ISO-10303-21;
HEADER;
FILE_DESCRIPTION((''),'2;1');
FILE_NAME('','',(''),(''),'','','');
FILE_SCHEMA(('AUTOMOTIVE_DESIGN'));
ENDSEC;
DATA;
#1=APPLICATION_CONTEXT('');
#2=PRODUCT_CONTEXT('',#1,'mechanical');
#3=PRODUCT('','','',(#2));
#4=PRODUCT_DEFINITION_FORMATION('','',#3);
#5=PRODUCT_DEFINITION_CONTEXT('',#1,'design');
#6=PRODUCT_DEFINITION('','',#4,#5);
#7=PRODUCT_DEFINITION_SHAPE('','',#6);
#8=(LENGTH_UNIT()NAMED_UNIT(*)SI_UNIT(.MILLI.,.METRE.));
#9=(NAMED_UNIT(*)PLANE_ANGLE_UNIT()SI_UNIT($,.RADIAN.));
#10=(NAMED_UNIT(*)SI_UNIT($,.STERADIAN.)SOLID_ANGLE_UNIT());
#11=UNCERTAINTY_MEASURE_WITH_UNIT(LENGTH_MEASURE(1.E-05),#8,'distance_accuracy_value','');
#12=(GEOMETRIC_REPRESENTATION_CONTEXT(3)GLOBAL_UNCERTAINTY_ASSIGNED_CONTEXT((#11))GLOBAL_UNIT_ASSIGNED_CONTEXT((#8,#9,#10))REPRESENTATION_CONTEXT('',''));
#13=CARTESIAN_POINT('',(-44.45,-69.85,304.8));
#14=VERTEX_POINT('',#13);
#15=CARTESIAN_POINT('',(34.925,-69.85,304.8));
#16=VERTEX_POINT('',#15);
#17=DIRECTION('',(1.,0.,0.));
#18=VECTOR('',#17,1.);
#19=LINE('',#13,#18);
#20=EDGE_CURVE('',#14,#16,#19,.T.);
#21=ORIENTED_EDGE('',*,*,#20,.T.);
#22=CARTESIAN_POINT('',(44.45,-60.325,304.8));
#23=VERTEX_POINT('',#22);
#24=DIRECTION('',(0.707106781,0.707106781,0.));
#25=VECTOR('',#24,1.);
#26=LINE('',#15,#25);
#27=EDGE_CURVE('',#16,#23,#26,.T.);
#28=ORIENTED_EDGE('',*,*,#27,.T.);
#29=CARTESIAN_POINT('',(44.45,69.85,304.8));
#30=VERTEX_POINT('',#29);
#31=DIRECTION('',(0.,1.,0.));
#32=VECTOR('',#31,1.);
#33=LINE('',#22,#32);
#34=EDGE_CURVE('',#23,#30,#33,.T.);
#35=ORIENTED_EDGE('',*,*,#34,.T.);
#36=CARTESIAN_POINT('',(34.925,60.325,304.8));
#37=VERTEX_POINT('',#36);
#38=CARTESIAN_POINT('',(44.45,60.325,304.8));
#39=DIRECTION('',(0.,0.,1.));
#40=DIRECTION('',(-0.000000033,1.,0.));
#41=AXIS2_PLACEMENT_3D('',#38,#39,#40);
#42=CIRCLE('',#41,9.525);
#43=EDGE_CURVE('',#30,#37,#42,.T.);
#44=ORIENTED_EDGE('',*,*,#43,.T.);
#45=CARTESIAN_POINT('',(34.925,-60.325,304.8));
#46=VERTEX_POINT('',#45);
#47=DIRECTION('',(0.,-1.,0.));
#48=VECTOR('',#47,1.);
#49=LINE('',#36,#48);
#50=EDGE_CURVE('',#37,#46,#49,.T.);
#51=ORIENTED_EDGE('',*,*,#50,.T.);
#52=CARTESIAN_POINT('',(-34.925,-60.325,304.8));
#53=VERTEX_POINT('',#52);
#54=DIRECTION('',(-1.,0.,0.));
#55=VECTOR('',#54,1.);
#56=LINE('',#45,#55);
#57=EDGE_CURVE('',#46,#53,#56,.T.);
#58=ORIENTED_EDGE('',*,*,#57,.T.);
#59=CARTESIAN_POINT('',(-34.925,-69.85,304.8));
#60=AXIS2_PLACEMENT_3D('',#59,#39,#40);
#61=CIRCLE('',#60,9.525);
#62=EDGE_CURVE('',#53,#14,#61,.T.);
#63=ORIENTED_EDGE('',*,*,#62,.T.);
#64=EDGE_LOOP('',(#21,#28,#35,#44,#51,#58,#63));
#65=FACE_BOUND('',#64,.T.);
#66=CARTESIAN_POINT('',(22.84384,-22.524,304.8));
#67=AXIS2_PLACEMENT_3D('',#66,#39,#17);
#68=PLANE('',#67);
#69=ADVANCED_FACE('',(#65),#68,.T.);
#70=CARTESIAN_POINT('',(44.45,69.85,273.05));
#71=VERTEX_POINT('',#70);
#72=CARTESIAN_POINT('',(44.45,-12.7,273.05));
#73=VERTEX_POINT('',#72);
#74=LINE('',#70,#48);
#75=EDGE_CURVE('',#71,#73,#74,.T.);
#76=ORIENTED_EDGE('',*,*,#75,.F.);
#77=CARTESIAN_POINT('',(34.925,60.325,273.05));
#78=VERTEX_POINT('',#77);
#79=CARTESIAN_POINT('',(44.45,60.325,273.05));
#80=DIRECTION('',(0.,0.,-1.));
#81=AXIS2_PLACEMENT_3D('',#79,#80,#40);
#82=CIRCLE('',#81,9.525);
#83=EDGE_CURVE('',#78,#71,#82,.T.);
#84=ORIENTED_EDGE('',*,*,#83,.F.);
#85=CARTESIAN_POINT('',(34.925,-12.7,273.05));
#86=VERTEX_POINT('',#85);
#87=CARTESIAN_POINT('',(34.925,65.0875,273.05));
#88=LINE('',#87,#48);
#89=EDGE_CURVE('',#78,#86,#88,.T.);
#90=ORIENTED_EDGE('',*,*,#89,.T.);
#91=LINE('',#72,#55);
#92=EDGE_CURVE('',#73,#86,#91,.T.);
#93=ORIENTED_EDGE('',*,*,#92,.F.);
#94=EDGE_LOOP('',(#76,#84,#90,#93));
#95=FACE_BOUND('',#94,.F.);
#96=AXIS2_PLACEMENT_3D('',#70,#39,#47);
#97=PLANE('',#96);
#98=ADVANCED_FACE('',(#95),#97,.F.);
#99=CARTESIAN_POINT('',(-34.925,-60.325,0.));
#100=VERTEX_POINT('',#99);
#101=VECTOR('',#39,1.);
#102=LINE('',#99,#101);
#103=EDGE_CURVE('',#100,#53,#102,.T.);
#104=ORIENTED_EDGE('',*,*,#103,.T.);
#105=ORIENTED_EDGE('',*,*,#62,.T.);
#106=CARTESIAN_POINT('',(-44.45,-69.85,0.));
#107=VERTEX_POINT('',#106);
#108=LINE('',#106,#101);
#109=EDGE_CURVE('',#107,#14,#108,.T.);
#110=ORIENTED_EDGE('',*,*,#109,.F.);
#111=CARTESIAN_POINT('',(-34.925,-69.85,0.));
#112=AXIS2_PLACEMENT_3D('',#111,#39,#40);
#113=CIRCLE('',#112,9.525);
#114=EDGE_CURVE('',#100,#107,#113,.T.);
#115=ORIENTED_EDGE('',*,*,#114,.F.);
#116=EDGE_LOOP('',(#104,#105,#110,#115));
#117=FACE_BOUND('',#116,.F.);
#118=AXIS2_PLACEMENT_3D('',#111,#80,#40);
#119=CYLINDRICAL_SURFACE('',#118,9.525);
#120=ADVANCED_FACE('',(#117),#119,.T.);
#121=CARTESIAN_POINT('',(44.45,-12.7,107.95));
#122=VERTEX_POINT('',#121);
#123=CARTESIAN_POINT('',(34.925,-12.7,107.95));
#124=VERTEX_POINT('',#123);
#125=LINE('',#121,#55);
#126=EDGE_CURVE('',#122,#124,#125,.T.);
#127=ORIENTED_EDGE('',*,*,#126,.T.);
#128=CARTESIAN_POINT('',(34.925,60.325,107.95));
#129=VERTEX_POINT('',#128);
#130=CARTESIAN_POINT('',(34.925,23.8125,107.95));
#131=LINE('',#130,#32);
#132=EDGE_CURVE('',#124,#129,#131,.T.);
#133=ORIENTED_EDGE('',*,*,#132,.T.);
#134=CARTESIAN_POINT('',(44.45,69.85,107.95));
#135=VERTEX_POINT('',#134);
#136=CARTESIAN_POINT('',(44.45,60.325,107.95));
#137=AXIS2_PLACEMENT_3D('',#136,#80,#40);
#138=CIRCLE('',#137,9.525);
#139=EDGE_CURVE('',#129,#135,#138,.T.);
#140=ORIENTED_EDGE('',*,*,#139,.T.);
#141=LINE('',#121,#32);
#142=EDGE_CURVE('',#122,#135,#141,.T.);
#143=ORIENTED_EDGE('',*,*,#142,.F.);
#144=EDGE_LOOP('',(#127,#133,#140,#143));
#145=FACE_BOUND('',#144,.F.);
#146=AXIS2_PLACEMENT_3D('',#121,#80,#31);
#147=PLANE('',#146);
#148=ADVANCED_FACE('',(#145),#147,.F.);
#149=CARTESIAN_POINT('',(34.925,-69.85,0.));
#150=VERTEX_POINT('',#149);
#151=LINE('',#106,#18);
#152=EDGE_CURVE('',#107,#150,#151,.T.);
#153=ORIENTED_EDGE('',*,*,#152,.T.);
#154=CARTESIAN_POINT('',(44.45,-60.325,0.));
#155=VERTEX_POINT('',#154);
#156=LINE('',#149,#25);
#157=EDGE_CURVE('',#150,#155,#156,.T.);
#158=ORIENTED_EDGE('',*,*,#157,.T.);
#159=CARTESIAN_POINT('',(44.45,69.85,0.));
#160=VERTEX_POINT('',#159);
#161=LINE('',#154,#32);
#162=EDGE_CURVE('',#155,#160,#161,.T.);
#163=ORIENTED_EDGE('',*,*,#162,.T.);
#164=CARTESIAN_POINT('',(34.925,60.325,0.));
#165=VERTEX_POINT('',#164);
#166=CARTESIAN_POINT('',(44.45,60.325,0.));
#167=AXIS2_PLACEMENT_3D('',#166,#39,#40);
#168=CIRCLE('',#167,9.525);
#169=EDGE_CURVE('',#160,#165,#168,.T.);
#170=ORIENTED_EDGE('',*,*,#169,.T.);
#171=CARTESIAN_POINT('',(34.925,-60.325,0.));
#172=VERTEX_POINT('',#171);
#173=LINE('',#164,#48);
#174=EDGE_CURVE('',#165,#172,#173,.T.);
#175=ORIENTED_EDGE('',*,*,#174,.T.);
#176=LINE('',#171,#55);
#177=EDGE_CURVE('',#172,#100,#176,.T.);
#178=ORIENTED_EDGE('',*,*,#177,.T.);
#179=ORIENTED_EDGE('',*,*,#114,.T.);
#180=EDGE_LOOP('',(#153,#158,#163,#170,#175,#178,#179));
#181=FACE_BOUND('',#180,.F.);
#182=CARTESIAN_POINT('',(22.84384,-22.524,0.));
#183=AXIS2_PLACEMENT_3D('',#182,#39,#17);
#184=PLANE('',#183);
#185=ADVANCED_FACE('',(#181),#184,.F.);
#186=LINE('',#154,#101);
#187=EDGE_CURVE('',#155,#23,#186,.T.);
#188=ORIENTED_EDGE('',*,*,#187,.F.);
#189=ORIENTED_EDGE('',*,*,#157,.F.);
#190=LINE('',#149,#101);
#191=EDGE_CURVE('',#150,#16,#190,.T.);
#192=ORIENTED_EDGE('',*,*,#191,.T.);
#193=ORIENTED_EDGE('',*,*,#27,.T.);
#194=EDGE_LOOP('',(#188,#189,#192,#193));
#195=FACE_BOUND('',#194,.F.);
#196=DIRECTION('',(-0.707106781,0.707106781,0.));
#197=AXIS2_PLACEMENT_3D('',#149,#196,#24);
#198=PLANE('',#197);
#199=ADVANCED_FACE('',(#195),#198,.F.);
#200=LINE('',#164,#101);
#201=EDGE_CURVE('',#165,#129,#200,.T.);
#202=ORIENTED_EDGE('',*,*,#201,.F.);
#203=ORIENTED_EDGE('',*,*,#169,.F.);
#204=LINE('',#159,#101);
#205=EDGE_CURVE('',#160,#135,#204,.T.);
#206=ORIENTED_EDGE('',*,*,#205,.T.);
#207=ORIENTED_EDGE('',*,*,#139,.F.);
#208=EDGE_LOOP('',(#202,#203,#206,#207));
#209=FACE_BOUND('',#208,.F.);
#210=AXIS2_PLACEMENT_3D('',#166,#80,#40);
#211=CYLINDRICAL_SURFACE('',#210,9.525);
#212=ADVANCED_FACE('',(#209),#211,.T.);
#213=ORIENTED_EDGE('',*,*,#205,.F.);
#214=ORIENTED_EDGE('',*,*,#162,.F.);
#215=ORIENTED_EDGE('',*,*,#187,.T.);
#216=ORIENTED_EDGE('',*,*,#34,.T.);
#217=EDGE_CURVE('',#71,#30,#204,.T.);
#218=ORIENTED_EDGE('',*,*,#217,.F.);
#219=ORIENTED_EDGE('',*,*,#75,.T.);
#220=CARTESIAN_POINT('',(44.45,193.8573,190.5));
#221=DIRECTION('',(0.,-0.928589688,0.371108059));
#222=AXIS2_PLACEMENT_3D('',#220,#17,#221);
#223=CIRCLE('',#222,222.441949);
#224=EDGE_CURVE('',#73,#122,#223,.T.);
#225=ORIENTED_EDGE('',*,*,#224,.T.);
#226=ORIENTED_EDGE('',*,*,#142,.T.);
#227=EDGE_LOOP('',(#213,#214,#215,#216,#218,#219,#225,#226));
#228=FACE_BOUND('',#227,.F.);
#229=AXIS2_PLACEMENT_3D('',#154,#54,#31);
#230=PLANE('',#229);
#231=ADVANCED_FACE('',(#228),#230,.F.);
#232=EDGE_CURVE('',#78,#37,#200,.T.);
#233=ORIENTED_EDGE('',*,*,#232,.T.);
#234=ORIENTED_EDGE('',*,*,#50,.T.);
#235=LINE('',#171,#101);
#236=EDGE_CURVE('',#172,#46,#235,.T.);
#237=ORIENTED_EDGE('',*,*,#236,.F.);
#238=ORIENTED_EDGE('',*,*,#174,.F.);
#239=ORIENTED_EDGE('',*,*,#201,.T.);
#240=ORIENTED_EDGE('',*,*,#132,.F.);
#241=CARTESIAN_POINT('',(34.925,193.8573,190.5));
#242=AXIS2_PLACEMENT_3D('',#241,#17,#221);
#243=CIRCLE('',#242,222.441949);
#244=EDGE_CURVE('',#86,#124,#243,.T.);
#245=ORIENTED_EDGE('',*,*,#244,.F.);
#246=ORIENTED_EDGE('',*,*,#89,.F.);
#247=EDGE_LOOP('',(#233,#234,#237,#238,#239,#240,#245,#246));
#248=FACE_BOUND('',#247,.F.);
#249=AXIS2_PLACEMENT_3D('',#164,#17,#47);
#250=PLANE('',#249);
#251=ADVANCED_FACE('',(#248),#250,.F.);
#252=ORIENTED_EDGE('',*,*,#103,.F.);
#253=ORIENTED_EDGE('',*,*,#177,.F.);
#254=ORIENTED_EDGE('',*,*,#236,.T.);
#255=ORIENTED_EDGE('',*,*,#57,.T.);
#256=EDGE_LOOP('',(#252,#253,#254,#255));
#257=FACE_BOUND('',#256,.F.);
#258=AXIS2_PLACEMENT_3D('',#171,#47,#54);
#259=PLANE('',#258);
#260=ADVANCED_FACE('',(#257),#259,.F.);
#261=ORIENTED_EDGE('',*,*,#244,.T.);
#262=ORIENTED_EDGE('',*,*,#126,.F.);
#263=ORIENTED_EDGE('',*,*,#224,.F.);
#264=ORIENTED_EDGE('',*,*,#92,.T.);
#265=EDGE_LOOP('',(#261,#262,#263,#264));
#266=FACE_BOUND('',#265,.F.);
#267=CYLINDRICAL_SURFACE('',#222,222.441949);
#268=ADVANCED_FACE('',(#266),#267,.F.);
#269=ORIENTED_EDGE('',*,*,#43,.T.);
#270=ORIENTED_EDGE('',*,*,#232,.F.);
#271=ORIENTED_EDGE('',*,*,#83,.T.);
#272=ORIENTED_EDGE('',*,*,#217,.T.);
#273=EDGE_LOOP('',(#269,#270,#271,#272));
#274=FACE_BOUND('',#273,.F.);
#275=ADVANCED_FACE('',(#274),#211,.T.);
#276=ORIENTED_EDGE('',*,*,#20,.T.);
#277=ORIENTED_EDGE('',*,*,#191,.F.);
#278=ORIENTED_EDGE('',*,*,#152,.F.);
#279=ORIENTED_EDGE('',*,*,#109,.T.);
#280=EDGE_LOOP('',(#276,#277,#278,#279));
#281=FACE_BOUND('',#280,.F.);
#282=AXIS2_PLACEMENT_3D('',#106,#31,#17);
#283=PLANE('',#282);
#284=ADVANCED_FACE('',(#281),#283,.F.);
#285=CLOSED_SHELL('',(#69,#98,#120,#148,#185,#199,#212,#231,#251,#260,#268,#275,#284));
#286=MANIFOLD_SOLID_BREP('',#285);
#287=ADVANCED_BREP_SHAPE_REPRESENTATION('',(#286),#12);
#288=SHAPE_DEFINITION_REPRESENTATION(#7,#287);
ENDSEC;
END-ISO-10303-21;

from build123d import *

# Parameters (mm, degrees)
F1_DEPTH = 304.8
F3_DEPTH = 88.901


with BuildPart() as f1:
    # F0 (on Top) → F1 (new body)
    with BuildSketch(Plane.XY):
        with BuildLine():
            Line((-44.45, -69.85), (34.925, -69.85))
            Line((34.925, -69.85), (44.45, -60.325))
            Line((44.45, -60.325), (44.45, 69.85))
            ThreePointArc((44.45, 69.85), (37.714808, 67.060192), (34.925, 60.325))
            Line((34.925, 60.325), (34.925, -60.325))
            Line((34.925, -60.325), (-34.925, -60.325))
            ThreePointArc((-34.925, -60.325), (-41.660192, -63.114808), (-44.45, -69.85))
        make_face()
    extrude(amount=F1_DEPTH)

    # F2 (on face) → F3 (cut, through all)
    with BuildSketch(Plane.YZ.offset(44.45)):
        with BuildLine():
            Line((69.85, 107.95), (69.85, 273.05))
            Line((69.85, 273.05), (-12.7, 273.05))
            ThreePointArc((-12.7, 273.05), (-28.584649, 190.5), (-12.7, 107.95))
            Line((-12.7, 107.95), (69.85, 107.95))
        make_face()
    extrude(amount=-F3_DEPTH, mode=Mode.SUBTRACT)


solid = f1.part
